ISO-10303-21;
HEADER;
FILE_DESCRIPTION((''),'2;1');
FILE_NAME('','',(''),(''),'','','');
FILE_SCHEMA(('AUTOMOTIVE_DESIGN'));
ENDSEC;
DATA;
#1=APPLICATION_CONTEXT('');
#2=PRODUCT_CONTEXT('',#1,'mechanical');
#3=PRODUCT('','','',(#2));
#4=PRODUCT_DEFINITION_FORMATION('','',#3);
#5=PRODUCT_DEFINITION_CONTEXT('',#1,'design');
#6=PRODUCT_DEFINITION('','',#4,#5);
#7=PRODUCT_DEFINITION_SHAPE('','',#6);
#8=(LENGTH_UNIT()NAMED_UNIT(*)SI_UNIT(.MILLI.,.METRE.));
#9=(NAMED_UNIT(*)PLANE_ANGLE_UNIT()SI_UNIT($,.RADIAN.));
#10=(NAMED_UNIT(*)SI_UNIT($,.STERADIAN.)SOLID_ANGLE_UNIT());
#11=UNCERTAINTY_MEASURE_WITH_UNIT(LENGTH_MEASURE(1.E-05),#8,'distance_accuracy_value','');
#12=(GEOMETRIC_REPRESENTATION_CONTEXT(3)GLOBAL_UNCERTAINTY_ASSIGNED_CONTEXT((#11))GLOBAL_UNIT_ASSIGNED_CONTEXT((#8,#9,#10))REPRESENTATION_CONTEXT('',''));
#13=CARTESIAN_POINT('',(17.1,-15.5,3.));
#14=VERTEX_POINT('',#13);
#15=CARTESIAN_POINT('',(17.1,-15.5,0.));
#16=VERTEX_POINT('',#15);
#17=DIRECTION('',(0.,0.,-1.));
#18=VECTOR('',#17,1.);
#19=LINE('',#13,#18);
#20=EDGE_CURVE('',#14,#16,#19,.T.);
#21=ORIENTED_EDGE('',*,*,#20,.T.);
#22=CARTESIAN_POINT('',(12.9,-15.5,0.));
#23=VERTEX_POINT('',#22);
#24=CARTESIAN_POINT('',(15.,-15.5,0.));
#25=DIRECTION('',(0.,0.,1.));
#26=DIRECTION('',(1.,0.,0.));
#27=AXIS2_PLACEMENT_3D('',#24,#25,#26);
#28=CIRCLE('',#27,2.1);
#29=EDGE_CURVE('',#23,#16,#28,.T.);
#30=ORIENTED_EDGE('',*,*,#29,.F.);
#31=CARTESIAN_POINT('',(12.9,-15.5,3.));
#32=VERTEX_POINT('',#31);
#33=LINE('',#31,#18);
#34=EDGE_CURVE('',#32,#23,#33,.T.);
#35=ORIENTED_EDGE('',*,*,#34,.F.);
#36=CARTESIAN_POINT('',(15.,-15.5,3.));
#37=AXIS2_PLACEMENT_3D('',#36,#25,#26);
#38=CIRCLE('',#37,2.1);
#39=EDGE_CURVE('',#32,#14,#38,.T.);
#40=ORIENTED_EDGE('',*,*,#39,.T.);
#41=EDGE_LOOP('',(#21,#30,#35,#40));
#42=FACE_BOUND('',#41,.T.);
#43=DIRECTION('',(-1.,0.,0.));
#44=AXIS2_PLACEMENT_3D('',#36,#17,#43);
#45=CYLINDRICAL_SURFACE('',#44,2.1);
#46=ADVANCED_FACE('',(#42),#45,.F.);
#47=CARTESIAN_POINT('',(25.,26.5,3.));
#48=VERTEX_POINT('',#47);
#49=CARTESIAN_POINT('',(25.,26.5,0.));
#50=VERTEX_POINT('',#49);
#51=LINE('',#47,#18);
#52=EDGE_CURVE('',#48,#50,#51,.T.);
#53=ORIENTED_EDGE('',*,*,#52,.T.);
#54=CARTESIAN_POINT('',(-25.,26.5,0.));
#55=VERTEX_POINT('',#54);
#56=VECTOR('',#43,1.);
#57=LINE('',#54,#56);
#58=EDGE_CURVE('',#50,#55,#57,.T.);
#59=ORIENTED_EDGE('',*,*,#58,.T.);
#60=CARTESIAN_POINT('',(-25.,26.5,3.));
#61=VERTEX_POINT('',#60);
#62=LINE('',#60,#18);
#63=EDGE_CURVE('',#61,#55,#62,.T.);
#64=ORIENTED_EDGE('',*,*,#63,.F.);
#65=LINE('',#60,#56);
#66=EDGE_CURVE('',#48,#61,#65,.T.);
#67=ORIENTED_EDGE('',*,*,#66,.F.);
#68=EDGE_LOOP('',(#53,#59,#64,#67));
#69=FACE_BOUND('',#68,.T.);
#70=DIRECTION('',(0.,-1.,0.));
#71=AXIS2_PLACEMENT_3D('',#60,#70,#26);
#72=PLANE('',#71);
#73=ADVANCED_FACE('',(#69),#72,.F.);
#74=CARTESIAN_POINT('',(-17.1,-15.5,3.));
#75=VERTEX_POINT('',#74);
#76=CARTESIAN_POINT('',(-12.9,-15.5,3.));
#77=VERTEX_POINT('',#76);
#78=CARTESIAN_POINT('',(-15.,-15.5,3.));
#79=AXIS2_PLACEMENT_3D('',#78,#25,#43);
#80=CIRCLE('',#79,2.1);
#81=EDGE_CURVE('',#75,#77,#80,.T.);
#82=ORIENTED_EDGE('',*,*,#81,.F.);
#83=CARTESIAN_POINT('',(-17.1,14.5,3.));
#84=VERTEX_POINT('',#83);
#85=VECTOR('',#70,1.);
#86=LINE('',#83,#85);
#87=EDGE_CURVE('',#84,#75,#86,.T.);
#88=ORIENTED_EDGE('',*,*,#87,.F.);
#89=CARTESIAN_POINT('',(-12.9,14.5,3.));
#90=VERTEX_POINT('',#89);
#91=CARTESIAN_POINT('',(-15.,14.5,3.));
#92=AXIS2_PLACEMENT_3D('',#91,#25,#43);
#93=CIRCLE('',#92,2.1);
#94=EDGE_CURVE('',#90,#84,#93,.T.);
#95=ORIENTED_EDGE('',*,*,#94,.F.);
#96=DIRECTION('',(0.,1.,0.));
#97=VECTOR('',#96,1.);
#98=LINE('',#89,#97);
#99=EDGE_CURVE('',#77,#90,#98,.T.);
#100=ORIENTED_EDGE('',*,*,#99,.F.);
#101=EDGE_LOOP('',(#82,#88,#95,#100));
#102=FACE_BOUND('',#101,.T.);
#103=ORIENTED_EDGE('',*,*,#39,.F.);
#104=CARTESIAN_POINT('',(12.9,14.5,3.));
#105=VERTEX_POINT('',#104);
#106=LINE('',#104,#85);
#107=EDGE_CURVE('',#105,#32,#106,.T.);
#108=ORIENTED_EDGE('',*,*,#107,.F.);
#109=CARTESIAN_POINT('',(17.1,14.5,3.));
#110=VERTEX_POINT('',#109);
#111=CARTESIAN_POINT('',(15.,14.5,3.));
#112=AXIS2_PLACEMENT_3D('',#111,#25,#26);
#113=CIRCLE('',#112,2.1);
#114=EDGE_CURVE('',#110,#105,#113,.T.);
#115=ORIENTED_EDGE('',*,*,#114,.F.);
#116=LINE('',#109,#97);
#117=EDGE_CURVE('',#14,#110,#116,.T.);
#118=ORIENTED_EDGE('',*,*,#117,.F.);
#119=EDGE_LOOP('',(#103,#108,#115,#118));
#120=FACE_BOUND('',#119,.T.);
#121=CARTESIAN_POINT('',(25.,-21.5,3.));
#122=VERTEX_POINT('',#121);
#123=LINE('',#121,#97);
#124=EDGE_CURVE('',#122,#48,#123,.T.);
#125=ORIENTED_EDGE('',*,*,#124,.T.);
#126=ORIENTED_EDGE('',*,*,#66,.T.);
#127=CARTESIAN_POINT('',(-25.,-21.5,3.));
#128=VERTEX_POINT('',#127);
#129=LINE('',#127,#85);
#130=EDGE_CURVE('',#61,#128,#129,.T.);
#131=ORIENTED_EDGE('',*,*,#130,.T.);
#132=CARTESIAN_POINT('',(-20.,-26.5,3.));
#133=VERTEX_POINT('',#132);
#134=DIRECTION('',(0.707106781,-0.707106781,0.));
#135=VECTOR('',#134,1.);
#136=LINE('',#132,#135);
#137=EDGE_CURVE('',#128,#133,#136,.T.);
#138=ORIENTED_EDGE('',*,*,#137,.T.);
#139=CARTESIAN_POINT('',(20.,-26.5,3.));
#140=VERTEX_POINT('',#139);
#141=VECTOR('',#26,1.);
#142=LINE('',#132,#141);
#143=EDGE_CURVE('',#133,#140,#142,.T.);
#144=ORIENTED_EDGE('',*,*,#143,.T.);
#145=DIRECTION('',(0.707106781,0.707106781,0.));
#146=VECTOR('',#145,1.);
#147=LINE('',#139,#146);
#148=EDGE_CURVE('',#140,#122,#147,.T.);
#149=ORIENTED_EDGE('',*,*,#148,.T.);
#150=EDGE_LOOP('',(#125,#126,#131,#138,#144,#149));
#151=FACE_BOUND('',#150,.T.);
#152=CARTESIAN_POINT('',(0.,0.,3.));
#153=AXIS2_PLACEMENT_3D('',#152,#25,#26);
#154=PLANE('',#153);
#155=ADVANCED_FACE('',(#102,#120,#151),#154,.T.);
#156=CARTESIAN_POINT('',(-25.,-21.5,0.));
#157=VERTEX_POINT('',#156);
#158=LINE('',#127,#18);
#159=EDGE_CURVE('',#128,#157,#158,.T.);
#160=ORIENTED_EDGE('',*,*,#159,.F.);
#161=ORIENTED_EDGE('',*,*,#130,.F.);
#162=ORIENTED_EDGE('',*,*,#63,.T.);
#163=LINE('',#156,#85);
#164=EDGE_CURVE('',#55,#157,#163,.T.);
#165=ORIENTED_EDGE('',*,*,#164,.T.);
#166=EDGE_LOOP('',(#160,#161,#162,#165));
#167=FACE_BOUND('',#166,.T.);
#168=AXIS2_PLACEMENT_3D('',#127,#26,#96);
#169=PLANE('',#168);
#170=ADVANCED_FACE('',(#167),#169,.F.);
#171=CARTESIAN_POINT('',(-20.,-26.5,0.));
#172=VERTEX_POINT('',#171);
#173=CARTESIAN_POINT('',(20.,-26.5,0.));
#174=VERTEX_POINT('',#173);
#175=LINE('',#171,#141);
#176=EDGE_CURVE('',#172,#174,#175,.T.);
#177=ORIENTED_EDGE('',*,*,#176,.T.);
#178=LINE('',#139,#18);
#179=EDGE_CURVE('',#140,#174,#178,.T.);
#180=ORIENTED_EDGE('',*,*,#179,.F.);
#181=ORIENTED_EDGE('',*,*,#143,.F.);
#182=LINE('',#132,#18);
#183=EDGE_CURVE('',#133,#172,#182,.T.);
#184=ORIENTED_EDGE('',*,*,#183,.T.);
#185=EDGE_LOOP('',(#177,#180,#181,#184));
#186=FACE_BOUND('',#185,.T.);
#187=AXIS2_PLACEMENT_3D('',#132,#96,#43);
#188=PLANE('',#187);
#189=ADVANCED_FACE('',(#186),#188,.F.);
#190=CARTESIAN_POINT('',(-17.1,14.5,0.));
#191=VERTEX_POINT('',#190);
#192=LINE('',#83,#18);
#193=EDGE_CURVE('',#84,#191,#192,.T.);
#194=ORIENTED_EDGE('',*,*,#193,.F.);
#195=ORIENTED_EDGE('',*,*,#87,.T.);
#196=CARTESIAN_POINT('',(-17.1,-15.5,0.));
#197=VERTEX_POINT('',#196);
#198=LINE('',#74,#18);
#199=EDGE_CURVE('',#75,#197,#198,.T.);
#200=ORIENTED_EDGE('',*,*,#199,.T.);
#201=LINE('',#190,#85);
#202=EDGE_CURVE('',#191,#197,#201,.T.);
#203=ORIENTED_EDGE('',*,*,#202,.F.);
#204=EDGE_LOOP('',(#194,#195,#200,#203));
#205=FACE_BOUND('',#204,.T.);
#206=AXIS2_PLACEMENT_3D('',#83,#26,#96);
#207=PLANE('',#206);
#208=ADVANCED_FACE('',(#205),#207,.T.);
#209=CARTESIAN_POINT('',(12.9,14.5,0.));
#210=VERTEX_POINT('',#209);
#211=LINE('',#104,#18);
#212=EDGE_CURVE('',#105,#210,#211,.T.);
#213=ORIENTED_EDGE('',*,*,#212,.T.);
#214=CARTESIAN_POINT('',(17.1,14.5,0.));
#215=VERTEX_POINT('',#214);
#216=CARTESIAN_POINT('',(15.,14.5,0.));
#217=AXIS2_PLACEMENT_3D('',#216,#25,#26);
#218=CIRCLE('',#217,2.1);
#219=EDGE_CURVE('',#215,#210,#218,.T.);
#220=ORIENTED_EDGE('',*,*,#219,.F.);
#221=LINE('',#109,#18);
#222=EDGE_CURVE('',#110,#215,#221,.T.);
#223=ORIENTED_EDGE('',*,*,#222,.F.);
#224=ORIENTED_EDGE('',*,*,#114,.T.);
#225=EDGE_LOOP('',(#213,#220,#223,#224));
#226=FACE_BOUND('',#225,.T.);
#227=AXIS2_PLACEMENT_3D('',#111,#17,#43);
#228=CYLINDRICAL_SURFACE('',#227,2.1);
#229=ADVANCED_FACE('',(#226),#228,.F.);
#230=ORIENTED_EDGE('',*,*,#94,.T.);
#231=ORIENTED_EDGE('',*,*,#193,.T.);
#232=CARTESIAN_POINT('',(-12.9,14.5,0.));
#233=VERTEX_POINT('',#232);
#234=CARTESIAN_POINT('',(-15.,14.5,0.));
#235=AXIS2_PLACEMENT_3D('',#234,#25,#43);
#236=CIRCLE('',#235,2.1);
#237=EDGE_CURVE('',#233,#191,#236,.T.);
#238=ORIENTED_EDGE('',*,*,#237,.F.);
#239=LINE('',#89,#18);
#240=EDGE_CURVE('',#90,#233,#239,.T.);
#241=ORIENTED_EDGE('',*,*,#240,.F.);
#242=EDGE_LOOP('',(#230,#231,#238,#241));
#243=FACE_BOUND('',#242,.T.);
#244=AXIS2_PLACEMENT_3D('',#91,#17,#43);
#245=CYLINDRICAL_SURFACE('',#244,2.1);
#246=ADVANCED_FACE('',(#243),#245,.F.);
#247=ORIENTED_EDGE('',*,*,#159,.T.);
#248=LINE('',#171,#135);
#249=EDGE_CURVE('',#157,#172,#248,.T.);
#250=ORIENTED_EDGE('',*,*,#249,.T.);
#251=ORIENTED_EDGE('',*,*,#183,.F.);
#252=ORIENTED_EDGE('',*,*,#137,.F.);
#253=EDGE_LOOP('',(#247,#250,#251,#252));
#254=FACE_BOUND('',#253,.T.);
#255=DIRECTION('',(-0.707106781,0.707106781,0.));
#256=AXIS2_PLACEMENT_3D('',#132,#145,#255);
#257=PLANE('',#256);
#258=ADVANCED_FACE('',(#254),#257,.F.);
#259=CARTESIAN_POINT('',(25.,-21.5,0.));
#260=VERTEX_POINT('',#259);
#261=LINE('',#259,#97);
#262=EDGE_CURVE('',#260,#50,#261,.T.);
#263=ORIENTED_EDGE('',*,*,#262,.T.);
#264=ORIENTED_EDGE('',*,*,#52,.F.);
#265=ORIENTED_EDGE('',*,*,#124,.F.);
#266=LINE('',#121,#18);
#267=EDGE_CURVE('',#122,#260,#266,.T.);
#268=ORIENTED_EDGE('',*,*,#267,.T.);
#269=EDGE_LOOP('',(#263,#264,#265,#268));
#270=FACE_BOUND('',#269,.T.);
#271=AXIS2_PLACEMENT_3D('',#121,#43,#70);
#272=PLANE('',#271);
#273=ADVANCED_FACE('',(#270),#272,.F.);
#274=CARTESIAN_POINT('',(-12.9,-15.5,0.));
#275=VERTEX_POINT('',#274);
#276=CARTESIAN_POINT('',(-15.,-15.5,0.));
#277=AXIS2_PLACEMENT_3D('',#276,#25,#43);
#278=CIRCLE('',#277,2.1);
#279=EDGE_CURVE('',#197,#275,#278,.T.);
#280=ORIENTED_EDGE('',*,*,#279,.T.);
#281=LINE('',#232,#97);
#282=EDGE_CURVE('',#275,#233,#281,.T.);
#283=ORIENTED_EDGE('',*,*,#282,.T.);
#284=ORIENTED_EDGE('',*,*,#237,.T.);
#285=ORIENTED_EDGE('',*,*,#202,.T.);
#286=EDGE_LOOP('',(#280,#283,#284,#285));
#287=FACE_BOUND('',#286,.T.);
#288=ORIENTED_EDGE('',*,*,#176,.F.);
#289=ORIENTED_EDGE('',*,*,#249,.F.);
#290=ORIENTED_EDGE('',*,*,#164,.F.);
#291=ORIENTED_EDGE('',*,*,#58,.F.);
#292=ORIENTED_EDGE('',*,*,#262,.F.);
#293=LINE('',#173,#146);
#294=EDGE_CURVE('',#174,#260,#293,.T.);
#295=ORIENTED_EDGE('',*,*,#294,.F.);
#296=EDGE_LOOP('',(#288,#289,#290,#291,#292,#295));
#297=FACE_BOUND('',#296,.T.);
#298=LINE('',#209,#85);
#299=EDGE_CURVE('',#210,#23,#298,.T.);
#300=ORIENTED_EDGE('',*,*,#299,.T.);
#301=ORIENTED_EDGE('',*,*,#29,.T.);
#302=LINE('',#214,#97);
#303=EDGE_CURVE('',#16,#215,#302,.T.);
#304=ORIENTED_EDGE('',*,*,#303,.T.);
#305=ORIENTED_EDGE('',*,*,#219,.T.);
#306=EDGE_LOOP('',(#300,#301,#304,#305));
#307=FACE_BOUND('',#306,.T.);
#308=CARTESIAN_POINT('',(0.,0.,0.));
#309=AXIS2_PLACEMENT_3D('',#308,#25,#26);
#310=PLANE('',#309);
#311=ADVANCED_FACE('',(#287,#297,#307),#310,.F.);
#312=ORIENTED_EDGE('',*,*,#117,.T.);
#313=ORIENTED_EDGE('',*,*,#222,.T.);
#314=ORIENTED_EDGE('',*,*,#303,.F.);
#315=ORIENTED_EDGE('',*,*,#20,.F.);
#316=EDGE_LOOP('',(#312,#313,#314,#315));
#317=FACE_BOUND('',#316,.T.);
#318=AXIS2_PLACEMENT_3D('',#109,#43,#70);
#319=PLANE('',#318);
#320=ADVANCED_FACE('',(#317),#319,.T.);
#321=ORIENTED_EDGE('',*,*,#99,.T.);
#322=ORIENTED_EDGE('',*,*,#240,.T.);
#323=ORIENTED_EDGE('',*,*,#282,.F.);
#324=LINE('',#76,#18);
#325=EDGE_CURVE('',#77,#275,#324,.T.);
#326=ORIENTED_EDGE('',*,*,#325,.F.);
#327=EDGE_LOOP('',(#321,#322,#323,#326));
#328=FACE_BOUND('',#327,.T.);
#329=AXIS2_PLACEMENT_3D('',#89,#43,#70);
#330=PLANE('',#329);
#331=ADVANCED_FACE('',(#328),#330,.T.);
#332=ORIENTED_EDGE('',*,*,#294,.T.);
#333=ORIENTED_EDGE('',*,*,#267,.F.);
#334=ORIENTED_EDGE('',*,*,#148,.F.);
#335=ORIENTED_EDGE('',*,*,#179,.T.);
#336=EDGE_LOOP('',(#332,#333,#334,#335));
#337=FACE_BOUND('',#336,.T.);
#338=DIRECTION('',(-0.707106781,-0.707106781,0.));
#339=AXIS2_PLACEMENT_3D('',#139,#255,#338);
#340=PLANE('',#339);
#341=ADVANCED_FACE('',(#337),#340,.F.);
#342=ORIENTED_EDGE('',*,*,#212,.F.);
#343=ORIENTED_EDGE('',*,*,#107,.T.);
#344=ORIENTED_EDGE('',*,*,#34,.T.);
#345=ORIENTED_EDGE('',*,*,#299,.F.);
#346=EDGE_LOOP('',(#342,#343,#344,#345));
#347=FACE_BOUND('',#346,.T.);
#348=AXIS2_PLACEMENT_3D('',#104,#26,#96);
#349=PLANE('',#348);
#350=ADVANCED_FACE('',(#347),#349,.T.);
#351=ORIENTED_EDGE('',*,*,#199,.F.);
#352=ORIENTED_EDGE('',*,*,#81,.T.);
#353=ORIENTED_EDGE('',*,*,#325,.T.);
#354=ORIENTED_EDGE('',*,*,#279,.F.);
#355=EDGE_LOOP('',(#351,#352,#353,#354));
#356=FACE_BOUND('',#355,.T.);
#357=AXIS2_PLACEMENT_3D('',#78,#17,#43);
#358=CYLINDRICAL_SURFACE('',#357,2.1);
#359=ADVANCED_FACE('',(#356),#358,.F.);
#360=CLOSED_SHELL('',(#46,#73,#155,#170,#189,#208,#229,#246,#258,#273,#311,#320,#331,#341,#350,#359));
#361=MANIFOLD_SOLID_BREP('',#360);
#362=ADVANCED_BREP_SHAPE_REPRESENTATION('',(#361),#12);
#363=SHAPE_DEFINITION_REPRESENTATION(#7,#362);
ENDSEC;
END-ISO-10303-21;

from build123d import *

# Parameters (mm, degrees)
RESSALTO_EXTRUS_O1_DEPTH = 3


with BuildPart() as part:
    # Esboço1 → Ressalto-extrusão1 (new body)
    with BuildSketch(Plane.XY):
        Polygon((-25, -21.5), (-25, 26.5), (25, 26.5), (25, -21.5), (20, -26.5), (-20, -26.5), align=None)
        with BuildLine():
            Line((17.1, 14.5), (17.1, -15.5))
            ThreePointArc((17.1, -15.5), (15, -17.6), (12.9, -15.5))
            Line((12.9, -15.5), (12.9, 14.5))
            ThreePointArc((12.9, 14.5), (15, 16.6), (17.1, 14.5))
        make_face(mode=Mode.SUBTRACT)
        with BuildLine():
            Line((-17.1, 14.5), (-17.1, -15.5))
            ThreePointArc((-17.1, -15.5), (-15, -17.6), (-12.9, -15.5))
            Line((-12.9, -15.5), (-12.9, 14.5))
            ThreePointArc((-12.9, 14.5), (-15, 16.6), (-17.1, 14.5))
        make_face(mode=Mode.SUBTRACT)
    extrude(amount=RESSALTO_EXTRUS_O1_DEPTH)


solid = part.part
